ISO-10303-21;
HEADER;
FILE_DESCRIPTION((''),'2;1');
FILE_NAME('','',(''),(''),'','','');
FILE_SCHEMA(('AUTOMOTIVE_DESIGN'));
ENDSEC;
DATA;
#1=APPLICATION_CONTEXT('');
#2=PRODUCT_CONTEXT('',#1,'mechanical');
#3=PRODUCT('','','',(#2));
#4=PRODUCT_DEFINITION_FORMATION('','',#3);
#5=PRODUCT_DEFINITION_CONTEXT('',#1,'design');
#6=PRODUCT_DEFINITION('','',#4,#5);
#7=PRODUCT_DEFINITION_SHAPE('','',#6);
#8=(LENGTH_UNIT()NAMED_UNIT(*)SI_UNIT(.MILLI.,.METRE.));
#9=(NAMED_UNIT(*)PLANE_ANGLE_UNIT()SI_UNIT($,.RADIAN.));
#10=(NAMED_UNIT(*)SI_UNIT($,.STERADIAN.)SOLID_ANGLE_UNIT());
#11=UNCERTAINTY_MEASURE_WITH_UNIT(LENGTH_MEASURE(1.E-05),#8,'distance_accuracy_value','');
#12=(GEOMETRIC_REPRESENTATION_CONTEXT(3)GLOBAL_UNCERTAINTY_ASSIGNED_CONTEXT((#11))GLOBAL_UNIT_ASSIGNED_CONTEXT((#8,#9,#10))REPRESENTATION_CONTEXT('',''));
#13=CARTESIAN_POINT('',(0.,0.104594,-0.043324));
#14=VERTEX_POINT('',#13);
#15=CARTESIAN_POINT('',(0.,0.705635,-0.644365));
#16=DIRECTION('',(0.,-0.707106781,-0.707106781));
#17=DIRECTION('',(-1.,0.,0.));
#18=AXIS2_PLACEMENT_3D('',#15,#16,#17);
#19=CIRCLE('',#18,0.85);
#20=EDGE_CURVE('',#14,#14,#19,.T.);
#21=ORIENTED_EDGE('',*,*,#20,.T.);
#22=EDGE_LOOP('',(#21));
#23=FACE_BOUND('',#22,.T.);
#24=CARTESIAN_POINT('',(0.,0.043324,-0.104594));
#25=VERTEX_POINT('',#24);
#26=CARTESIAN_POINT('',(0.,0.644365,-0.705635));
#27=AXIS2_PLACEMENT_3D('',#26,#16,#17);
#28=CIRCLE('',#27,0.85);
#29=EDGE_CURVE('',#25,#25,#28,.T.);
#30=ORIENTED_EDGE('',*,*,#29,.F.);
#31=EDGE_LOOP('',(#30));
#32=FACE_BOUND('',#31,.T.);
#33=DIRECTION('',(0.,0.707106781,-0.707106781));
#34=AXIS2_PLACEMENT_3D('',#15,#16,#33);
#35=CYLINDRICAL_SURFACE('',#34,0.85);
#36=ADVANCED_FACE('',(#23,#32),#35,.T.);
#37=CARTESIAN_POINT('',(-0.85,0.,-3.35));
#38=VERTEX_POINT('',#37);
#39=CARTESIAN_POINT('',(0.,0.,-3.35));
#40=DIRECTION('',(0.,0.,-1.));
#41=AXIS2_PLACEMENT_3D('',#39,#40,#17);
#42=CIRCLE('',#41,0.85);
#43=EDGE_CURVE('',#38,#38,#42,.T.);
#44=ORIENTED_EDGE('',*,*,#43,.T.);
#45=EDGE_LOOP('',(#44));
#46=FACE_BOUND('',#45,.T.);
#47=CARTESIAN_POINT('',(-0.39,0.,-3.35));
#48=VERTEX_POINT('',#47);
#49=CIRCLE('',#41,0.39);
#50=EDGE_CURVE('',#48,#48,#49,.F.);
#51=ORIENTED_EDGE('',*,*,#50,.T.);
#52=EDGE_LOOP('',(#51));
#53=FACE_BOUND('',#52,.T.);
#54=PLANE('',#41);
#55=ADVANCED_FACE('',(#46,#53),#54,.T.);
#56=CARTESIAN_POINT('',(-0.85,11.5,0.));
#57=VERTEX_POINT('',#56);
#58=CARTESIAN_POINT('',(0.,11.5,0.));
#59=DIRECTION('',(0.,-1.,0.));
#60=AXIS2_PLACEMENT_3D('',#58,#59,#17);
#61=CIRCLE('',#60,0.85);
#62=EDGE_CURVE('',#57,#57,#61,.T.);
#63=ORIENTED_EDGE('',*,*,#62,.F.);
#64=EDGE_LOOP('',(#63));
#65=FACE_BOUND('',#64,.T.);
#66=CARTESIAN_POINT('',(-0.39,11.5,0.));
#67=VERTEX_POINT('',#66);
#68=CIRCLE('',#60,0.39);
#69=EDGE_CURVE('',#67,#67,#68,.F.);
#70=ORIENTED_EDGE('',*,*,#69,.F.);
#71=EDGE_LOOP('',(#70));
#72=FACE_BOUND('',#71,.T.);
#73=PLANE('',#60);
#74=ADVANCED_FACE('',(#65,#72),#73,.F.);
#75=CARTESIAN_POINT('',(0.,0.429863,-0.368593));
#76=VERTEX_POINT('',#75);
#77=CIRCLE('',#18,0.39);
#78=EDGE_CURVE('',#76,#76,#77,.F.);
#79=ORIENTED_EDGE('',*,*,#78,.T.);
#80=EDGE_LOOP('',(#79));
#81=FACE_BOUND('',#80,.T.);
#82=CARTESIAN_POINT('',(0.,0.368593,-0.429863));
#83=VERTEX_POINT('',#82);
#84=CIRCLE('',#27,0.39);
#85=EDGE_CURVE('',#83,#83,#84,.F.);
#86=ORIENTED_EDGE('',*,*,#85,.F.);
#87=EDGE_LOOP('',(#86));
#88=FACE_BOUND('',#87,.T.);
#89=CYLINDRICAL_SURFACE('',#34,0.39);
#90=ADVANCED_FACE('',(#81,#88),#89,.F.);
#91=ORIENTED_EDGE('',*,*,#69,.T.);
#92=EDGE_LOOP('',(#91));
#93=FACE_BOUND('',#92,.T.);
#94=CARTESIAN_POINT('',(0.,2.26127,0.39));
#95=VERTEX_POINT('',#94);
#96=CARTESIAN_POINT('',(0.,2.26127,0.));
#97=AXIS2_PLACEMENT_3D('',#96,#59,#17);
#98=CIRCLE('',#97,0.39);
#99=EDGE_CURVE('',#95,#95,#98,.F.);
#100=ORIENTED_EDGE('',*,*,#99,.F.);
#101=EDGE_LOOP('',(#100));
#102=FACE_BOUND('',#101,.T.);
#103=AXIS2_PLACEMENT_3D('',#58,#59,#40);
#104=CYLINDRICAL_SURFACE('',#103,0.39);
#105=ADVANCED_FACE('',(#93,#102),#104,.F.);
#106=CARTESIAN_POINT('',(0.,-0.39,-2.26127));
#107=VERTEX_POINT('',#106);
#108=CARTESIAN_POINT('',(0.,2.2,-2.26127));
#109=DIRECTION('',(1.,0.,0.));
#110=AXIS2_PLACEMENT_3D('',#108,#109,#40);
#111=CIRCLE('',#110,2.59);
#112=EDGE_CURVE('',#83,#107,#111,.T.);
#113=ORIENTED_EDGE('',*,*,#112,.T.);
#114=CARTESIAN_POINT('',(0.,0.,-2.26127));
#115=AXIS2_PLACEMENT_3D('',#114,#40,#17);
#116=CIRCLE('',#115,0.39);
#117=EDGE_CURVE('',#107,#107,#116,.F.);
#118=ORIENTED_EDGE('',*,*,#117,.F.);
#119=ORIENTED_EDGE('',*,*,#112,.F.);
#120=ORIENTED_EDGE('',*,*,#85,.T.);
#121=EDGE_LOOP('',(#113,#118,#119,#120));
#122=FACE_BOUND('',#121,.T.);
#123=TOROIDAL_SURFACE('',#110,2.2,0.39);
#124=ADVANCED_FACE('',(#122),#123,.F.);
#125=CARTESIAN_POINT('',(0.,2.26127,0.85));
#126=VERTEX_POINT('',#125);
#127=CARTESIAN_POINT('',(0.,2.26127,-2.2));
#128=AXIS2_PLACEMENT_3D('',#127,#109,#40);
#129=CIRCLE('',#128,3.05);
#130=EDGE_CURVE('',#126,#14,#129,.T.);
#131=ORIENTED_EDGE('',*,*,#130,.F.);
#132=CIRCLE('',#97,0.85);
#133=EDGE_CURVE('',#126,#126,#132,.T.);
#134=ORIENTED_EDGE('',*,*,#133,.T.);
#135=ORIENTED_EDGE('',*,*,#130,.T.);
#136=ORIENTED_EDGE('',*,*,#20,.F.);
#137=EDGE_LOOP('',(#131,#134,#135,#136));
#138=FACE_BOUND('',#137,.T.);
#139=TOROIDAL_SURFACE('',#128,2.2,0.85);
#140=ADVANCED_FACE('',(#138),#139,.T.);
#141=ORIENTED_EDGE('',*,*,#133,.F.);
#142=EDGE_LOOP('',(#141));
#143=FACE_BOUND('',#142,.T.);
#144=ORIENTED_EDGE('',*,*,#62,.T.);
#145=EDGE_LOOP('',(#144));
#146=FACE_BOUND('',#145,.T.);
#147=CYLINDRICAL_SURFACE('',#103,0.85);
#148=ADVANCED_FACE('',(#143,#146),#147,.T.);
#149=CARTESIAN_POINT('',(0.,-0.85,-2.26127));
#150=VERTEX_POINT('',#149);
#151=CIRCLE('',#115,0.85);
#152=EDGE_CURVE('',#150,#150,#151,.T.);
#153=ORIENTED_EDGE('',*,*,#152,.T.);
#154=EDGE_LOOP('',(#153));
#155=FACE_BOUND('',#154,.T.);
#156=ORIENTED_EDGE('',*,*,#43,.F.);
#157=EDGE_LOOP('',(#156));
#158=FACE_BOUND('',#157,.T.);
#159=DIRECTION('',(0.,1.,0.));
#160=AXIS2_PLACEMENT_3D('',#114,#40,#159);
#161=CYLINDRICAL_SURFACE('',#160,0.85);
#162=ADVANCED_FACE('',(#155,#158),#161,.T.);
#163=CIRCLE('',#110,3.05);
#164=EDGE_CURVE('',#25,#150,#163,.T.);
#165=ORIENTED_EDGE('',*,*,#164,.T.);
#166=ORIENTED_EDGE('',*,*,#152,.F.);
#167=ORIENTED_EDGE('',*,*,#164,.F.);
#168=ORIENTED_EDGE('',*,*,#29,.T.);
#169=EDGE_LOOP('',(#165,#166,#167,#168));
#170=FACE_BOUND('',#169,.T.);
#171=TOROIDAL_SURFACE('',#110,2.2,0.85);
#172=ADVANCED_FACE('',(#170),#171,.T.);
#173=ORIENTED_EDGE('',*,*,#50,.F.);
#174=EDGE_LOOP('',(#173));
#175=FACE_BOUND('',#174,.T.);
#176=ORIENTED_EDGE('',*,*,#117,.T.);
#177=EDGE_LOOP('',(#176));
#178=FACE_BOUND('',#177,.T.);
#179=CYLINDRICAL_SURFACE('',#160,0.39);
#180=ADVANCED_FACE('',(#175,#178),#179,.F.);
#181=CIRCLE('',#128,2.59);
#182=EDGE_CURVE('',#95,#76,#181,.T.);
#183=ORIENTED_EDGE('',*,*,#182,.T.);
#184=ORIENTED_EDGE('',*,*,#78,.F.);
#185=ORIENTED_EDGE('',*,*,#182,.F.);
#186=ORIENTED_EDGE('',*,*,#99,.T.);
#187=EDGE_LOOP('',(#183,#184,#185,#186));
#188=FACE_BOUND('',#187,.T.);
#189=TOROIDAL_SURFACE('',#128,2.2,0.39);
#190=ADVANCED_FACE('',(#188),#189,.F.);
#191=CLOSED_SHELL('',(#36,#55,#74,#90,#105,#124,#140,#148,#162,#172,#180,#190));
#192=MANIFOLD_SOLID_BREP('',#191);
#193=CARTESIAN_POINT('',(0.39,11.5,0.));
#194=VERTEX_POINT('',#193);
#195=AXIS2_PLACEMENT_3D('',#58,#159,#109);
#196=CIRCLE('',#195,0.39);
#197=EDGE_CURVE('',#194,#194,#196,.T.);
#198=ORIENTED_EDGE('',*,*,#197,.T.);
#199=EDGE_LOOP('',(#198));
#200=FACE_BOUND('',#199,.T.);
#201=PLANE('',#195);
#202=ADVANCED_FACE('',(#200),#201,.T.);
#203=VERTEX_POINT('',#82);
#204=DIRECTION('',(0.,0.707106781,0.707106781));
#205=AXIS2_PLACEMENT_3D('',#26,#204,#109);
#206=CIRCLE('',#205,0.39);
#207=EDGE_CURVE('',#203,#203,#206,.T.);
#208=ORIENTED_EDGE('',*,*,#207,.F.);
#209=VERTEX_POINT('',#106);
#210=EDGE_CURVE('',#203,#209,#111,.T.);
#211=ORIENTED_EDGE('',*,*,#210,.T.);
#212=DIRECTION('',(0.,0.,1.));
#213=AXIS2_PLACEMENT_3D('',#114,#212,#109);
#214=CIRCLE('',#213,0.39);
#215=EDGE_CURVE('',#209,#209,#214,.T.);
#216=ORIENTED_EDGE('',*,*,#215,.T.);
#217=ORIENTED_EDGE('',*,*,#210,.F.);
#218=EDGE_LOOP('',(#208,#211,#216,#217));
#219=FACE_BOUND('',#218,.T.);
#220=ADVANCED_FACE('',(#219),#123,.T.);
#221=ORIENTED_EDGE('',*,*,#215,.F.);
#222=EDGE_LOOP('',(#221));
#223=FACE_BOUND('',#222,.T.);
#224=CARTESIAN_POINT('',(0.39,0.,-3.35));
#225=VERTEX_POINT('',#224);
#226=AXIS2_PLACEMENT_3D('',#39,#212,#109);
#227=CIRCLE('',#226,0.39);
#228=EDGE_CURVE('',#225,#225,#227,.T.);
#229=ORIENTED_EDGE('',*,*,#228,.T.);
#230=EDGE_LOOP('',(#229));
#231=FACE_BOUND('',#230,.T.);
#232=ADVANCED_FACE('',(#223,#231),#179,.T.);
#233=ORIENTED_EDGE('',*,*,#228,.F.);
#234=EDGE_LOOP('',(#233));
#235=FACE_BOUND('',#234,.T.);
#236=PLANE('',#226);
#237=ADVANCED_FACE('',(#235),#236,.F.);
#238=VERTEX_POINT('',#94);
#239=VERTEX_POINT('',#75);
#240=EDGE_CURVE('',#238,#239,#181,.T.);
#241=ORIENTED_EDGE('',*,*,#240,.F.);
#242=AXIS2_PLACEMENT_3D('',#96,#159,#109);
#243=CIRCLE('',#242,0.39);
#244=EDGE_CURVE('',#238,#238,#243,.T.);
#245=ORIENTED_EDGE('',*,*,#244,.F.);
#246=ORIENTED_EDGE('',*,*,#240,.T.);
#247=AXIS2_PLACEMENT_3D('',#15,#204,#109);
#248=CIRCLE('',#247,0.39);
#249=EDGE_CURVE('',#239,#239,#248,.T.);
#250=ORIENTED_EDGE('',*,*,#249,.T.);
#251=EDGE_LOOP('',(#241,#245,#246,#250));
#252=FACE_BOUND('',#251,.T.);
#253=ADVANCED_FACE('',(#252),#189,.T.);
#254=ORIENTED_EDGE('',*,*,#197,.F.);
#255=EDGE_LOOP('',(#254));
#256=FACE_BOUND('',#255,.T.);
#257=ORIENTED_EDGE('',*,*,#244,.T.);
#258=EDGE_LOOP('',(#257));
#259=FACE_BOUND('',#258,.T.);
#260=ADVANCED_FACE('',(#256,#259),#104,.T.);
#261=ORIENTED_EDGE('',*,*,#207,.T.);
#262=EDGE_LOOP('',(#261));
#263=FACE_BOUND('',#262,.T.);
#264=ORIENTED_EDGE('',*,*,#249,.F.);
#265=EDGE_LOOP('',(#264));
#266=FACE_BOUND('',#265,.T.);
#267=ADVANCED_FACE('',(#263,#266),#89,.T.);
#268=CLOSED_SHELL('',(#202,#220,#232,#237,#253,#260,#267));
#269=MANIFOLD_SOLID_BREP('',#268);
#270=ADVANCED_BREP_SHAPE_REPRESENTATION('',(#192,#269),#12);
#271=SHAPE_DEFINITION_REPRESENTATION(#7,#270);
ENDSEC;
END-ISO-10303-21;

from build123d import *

# Parameters (mm, degrees)
SKETCH_2_R   = 0.39
SKETCH_3_R   = 0.85
SKETCH_3_R_2 = 0.39


with BuildPart() as part:
    # По траектории1: sweep along a path in Эскиз1
    with BuildLine(Plane(origin=(0, 0, 0), x_dir=(0, 0, -1), z_dir=(1, 0, 0))) as sweep_1_path:
        Line((0, 11.49999984), (0, 2.26126984))
        ThreePointArc((0, 2.26126984), (0.167465028, 1.419366289), (0.644365081, 0.705634921))
        Line((0.644365081, 0.705634921), (0.705634921, 0.644365081))
        ThreePointArc((0.705634921, 0.644365081), (1.419366289, 0.167465028), (2.26126984, 0))
        Line((2.26126984, 0), (3.35, 0))
    # Эскиз2 → По траектории1 (sweep)
    with BuildSketch(Plane.XY.offset(-3.35)):
        Circle(SKETCH_2_R)
    sweep(path=sweep_1_path.line)


with BuildPart() as body_2:
    # По траектории2: sweep along a path in Эскиз1<2>
    with BuildLine(Plane(origin=(0, 0, 0), x_dir=(0, 0, -1), z_dir=(1, 0, 0))) as sweep_2_path:
        Line((0, 11.49999984), (0, 2.26126984))
        ThreePointArc((0, 2.26126984), (0.167465028, 1.419366289), (0.644365081, 0.705634921))
        Line((0.644365081, 0.705634921), (0.705634921, 0.644365081))
        ThreePointArc((0.705634921, 0.644365081), (1.419366289, 0.167465028), (2.26126984, 0))
        Line((2.26126984, 0), (3.35, 0))
    # Эскиз3 → По траектории2 (sweep)
    with BuildSketch(Plane(origin=(0, 0, -3.35), x_dir=(-1, 0, 0), z_dir=(0, 0, -1))):
        Circle(SKETCH_3_R)
        Circle(SKETCH_3_R_2, mode=Mode.SUBTRACT)
    sweep(path=sweep_2_path.line)


solid = Compound([part.part, body_2.part])
